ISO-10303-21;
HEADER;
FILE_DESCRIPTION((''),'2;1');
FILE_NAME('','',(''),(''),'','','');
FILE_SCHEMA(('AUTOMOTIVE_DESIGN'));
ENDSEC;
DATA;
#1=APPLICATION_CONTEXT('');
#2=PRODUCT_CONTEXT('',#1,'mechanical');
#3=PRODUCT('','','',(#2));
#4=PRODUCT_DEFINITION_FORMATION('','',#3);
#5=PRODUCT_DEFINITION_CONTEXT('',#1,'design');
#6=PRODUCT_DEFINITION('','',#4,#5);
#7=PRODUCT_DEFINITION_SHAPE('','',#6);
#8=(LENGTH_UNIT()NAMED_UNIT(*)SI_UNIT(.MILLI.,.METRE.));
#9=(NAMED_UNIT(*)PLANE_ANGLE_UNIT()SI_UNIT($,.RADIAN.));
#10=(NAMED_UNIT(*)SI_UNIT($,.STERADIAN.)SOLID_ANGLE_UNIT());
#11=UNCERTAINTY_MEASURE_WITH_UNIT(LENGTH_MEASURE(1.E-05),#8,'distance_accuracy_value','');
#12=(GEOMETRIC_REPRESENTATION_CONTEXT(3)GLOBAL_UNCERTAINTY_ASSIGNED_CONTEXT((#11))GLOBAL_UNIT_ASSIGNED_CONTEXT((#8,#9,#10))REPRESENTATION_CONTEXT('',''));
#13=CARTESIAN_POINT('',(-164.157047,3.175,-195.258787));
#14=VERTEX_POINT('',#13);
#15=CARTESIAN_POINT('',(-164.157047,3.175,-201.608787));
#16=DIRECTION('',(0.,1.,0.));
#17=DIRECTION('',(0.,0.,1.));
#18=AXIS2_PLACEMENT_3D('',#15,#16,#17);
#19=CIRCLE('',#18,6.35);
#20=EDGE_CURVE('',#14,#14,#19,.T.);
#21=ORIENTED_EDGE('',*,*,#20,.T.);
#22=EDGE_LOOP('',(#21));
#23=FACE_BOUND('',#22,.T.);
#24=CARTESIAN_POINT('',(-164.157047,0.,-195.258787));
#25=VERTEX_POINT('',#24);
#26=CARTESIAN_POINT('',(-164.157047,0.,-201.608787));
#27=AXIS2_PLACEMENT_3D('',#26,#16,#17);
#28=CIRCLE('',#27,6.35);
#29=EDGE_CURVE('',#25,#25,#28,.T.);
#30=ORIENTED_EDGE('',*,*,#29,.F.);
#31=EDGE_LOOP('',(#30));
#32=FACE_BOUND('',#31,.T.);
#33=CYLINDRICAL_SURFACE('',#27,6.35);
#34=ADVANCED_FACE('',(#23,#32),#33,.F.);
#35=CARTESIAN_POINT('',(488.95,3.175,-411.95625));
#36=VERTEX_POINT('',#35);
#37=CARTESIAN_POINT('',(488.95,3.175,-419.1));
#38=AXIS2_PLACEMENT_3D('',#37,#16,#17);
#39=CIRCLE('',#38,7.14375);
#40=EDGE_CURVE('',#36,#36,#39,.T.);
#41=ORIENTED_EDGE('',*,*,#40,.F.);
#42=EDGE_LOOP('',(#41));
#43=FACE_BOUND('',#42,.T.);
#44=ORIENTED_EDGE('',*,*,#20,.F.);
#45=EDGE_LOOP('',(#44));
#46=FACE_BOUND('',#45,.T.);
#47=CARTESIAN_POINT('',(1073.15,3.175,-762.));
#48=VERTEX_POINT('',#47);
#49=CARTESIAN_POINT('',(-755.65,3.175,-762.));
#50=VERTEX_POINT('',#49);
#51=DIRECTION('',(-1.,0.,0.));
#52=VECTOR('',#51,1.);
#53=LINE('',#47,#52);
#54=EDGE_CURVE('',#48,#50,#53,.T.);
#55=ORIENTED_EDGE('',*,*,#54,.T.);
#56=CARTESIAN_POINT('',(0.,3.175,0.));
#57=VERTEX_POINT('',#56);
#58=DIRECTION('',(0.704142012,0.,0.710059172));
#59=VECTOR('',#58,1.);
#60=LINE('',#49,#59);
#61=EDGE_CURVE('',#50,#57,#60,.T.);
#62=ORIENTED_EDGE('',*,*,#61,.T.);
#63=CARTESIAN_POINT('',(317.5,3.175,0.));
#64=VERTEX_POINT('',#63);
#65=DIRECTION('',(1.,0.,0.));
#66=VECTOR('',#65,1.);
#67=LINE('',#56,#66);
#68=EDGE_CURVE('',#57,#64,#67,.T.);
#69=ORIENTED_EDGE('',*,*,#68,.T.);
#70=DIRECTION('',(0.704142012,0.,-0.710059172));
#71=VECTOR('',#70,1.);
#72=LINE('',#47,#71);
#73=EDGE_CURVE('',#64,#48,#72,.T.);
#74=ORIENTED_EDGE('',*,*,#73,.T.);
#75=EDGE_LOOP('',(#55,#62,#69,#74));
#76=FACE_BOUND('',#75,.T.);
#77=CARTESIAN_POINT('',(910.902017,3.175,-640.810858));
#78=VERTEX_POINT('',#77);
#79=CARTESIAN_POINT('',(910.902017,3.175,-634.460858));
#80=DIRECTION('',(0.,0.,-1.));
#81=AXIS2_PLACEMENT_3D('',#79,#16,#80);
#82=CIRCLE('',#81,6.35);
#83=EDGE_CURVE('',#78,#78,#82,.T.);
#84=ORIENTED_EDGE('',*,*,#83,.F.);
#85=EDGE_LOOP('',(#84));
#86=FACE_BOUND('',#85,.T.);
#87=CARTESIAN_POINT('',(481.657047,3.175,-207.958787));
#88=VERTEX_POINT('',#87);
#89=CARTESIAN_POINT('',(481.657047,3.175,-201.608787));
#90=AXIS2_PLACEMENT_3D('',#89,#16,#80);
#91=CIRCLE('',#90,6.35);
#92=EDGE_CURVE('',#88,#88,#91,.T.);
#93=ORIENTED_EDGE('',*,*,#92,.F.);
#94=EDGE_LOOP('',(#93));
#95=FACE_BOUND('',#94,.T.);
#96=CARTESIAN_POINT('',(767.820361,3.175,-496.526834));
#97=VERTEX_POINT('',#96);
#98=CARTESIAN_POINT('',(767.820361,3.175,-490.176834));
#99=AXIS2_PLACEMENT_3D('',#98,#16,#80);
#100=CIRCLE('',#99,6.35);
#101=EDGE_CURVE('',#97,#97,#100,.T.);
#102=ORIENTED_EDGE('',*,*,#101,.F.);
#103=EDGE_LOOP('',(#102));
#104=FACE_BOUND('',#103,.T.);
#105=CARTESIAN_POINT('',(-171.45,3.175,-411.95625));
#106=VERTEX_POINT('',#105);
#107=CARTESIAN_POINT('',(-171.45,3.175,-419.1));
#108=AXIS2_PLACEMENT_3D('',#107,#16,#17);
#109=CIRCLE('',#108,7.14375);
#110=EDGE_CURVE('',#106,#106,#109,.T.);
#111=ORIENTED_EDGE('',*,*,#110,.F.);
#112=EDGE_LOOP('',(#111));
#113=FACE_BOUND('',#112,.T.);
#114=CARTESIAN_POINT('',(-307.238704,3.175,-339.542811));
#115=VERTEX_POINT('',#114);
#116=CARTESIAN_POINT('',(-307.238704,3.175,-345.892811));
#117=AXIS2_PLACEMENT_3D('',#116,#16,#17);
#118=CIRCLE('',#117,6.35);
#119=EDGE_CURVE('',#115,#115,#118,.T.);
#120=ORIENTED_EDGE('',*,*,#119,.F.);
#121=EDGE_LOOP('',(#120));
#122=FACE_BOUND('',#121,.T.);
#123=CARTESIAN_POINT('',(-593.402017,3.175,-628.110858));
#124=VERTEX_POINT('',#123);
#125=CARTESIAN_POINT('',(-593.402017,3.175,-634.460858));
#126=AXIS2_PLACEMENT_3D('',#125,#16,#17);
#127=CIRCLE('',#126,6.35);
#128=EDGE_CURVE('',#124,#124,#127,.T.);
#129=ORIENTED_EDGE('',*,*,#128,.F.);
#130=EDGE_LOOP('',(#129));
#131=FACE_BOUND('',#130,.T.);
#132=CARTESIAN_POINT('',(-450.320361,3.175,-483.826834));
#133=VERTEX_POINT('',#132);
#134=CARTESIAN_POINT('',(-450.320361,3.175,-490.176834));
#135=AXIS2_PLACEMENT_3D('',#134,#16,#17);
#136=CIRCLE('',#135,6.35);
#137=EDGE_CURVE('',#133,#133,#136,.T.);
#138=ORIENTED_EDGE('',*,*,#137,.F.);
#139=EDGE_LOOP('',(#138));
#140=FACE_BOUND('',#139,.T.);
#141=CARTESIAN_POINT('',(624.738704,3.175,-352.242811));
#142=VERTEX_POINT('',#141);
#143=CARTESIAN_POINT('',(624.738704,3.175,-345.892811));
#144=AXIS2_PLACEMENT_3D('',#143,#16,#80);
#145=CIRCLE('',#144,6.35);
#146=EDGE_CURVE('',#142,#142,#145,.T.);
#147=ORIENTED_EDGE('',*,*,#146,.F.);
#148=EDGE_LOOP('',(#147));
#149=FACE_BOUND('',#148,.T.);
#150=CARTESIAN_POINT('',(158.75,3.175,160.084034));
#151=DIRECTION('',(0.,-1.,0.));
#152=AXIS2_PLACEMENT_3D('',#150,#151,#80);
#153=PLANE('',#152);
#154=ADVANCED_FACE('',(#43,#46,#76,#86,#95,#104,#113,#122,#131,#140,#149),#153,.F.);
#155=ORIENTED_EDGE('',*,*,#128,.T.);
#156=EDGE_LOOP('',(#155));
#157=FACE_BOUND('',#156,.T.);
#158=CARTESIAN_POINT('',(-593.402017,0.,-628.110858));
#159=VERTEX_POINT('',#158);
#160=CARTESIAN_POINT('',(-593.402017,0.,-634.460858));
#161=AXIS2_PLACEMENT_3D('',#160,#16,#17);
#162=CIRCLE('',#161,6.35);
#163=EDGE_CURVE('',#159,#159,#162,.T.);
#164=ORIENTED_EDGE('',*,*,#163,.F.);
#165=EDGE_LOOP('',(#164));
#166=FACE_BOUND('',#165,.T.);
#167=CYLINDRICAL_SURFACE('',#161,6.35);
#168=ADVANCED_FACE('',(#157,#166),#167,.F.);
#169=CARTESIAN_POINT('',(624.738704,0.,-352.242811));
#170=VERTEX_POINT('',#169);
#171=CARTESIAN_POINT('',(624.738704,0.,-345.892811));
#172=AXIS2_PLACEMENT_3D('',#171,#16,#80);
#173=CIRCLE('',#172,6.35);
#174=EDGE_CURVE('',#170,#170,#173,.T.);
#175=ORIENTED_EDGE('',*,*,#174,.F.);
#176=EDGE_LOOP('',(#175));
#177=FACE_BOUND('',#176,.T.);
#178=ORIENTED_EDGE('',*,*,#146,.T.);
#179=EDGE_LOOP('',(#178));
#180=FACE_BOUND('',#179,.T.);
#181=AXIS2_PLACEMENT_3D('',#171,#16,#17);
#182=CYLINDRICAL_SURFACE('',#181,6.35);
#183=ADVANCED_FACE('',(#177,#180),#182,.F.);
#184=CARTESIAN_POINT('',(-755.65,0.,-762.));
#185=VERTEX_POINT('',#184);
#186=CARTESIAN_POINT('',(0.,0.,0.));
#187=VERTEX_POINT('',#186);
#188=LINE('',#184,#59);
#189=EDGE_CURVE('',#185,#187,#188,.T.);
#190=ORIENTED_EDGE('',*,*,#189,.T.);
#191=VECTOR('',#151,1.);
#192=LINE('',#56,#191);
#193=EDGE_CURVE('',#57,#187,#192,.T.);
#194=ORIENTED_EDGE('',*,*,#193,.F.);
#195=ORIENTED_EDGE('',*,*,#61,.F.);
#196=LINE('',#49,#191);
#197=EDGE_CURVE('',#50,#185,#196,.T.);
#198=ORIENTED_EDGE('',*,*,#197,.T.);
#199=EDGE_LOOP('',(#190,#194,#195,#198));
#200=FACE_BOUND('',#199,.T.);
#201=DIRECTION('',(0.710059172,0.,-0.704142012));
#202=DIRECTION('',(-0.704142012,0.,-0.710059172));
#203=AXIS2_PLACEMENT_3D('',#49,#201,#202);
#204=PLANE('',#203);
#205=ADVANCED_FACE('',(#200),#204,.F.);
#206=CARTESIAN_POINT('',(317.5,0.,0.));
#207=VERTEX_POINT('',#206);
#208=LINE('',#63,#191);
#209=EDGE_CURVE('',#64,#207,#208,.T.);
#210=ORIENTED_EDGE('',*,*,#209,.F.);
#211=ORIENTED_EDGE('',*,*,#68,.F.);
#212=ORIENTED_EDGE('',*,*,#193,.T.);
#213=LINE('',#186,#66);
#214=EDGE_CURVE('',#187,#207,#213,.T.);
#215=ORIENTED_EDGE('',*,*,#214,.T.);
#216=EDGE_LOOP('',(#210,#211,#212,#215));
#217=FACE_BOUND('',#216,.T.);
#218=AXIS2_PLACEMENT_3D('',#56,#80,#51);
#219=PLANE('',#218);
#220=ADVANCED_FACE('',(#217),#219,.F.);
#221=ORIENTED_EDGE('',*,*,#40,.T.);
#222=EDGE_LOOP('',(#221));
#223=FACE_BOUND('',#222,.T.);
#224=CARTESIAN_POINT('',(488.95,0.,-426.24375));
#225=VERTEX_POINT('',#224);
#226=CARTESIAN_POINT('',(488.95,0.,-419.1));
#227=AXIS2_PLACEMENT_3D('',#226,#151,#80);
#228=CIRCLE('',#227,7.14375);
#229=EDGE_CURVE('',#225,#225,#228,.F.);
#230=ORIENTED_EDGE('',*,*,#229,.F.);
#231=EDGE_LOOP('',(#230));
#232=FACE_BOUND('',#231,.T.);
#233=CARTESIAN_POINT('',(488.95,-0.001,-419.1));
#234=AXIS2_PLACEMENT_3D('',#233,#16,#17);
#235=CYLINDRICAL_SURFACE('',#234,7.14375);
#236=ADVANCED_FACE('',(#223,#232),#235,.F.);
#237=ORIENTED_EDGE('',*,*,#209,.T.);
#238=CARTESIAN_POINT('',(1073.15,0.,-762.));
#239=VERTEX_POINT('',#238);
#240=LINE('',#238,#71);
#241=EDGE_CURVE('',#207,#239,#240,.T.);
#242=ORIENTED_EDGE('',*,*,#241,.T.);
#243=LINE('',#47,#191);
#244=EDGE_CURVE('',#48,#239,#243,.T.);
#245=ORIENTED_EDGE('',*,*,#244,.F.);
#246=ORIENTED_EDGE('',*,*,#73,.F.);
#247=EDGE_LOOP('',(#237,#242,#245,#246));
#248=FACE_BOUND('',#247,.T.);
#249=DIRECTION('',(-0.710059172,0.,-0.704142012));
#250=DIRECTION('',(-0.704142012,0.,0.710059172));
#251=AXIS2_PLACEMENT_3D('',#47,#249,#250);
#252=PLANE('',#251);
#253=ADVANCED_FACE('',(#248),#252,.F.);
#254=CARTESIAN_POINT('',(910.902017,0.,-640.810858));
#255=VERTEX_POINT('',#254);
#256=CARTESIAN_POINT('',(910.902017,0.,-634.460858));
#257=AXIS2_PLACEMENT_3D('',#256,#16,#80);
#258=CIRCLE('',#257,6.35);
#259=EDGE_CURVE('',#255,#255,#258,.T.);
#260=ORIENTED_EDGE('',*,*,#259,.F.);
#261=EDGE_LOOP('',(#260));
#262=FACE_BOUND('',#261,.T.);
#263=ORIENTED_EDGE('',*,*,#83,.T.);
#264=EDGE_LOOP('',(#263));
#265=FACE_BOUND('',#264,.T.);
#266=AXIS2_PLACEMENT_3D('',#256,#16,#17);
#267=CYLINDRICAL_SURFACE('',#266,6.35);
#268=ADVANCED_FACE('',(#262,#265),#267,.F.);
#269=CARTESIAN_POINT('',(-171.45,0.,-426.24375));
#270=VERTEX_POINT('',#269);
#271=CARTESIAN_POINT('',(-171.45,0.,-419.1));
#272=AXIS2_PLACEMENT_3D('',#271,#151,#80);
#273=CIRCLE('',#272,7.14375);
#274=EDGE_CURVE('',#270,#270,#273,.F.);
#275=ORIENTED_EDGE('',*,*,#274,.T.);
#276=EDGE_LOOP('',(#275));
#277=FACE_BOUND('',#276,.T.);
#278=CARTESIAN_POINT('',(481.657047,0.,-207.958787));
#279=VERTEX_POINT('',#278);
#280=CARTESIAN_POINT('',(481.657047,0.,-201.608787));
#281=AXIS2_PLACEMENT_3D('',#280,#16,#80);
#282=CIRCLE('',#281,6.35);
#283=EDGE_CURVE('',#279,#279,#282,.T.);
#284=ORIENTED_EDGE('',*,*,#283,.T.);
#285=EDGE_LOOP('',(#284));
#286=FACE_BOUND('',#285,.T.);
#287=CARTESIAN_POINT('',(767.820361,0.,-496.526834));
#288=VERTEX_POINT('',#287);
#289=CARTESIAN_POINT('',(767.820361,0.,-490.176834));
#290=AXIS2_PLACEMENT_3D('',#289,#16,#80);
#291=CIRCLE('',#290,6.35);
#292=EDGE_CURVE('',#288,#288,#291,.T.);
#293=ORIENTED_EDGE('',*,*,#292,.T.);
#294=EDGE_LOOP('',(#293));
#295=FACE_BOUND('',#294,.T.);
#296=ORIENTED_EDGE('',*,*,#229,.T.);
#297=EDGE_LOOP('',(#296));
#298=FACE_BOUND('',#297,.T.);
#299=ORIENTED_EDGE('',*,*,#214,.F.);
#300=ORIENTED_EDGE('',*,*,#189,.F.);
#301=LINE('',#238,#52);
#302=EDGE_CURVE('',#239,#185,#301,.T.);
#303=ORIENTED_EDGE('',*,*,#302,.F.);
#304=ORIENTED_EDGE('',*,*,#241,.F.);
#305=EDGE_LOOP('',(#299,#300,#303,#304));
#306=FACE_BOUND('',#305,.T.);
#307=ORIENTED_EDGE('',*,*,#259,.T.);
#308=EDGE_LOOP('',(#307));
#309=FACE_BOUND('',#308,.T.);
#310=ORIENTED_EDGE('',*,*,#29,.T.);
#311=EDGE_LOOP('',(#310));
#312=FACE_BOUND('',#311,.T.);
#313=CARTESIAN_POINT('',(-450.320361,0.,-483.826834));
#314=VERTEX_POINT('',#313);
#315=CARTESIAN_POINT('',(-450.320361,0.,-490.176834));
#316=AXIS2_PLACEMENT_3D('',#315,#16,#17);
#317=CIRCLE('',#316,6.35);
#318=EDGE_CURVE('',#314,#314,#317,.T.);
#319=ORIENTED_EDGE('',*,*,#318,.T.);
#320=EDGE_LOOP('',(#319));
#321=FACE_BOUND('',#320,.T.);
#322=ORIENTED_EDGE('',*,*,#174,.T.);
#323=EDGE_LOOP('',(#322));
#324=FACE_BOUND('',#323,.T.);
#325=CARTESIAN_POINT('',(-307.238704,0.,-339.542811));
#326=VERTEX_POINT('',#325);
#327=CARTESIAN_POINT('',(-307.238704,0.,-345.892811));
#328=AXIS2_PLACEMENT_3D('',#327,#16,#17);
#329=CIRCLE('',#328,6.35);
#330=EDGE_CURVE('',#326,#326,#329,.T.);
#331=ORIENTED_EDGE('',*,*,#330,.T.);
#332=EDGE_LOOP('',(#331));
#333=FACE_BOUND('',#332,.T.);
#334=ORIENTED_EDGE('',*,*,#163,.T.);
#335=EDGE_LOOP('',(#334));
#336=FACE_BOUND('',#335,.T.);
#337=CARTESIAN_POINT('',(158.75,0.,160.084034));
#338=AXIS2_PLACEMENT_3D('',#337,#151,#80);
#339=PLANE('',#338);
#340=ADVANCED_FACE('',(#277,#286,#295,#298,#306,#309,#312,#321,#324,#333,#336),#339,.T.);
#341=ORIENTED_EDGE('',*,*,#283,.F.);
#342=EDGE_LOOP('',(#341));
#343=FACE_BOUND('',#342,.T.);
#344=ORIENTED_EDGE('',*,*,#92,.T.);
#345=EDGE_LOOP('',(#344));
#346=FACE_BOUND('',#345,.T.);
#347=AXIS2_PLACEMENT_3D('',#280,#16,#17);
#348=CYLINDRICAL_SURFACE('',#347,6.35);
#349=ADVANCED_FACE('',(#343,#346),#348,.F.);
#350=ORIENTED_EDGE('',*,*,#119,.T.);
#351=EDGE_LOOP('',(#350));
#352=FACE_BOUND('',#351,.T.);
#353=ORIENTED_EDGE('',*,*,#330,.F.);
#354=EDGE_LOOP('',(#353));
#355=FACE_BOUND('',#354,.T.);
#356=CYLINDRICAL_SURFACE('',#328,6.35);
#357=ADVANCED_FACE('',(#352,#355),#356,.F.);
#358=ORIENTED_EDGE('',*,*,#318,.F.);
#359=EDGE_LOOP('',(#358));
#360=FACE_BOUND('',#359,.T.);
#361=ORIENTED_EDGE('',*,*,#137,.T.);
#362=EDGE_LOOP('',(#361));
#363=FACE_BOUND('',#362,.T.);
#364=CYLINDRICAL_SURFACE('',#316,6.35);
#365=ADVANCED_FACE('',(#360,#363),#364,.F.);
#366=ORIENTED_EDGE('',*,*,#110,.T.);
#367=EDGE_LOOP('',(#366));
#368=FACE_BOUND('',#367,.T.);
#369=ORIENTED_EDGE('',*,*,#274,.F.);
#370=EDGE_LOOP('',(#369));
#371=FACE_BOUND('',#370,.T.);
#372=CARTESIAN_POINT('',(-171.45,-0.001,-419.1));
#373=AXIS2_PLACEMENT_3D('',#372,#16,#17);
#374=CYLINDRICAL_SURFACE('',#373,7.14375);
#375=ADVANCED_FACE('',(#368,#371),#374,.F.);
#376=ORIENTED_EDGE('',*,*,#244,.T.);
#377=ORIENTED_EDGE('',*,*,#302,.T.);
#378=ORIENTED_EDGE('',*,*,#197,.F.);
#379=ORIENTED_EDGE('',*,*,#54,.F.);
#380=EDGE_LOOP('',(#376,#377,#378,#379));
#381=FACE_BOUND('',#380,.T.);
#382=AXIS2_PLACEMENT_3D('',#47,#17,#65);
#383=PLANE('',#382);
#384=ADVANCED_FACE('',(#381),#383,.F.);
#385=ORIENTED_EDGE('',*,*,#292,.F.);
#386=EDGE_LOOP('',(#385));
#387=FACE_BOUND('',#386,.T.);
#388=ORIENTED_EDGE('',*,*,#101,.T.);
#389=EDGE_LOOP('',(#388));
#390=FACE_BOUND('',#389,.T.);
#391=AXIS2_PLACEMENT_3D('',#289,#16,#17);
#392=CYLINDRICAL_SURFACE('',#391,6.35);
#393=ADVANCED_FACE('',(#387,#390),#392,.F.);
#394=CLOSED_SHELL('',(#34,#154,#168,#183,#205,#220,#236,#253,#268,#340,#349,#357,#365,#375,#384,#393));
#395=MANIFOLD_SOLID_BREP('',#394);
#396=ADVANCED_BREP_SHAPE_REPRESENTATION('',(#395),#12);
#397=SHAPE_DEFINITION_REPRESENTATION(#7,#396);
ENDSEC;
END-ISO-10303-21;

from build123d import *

# Parameters (mm, degrees)
BOSS_EXTRUDE1_DEPTH = 3.175
CUT_EXTRUDE1_REACH  = 5.175
SKETCH2_R           = 7.14375
SKETCH3_R           = 6.35
CUT_EXTRUDE2_DEPTH  = 4.175


with BuildPart() as part:
    # Sketch1 → Boss-Extrude1 (new body)
    with BuildSketch(Plane(origin=(0, 0, 0), x_dir=(1, 0, 0), z_dir=(0, 1, 0))):
        Polygon((0, 0), (317.5, 0), (1073.15, 762), (-755.65, 762), align=None)
    extrude(amount=BOSS_EXTRUDE1_DEPTH)

    # Sketch2 → Cut-Extrude1 (cut, up to next)
    with BuildSketch(Plane(origin=(0, 3.175, 0), x_dir=(1, 0, 0), z_dir=(0, 1, 0)), mode=Mode.PRIVATE) as cut_extrude1_sk1:
        with Locations((-171.45, 419.1)):
            Circle(SKETCH2_R)
    cut_extrude1_tool1 = extrude(cut_extrude1_sk1.sketch, amount=-CUT_EXTRUDE1_REACH, mode=Mode.PRIVATE) & part.part
    add(cut_extrude1_tool1.solids().sort_by_distance((-171.45, 3.175, -419.1))[0], mode=Mode.SUBTRACT)
    # Sketch2 → Cut-Extrude1 (cut, up to next)
    with BuildSketch(Plane(origin=(0, 3.175, 0), x_dir=(1, 0, 0), z_dir=(0, 1, 0)), mode=Mode.PRIVATE) as cut_extrude1_sk2:
        with Locations((488.95, 419.1)):
            Circle(SKETCH2_R)
    cut_extrude1_tool2 = extrude(cut_extrude1_sk2.sketch, amount=-CUT_EXTRUDE1_REACH, mode=Mode.PRIVATE) & part.part
    add(cut_extrude1_tool2.solids().sort_by_distance((488.95, 3.175, -419.1))[0], mode=Mode.SUBTRACT)

    # Sketch3 → Cut-Extrude2 (cut, through all)
    with BuildSketch(Plane(origin=(0, 3.175, 0), x_dir=(1, 0, 0), z_dir=(0, 1, 0))):
        with Locations((-593.402017408, 634.460857891)):
            Circle(SKETCH3_R)
        with Locations((-450.320360604, 490.176834222)):
            Circle(SKETCH3_R)
        with Locations((-307.238703799, 345.892810554)):
            Circle(SKETCH3_R)
        with Locations((-164.157046994, 201.608786885)):
            Circle(SKETCH3_R)
        with Locations((481.657046994, 201.608786885)):
            Circle(SKETCH3_R)
        with Locations((624.738703799, 345.892810554)):
            Circle(SKETCH3_R)
        with Locations((767.820360604, 490.176834222)):
            Circle(SKETCH3_R)
        with Locations((910.902017408, 634.460857891)):
            Circle(SKETCH3_R)
    extrude(amount=-CUT_EXTRUDE2_DEPTH, mode=Mode.SUBTRACT)


solid = part.part
